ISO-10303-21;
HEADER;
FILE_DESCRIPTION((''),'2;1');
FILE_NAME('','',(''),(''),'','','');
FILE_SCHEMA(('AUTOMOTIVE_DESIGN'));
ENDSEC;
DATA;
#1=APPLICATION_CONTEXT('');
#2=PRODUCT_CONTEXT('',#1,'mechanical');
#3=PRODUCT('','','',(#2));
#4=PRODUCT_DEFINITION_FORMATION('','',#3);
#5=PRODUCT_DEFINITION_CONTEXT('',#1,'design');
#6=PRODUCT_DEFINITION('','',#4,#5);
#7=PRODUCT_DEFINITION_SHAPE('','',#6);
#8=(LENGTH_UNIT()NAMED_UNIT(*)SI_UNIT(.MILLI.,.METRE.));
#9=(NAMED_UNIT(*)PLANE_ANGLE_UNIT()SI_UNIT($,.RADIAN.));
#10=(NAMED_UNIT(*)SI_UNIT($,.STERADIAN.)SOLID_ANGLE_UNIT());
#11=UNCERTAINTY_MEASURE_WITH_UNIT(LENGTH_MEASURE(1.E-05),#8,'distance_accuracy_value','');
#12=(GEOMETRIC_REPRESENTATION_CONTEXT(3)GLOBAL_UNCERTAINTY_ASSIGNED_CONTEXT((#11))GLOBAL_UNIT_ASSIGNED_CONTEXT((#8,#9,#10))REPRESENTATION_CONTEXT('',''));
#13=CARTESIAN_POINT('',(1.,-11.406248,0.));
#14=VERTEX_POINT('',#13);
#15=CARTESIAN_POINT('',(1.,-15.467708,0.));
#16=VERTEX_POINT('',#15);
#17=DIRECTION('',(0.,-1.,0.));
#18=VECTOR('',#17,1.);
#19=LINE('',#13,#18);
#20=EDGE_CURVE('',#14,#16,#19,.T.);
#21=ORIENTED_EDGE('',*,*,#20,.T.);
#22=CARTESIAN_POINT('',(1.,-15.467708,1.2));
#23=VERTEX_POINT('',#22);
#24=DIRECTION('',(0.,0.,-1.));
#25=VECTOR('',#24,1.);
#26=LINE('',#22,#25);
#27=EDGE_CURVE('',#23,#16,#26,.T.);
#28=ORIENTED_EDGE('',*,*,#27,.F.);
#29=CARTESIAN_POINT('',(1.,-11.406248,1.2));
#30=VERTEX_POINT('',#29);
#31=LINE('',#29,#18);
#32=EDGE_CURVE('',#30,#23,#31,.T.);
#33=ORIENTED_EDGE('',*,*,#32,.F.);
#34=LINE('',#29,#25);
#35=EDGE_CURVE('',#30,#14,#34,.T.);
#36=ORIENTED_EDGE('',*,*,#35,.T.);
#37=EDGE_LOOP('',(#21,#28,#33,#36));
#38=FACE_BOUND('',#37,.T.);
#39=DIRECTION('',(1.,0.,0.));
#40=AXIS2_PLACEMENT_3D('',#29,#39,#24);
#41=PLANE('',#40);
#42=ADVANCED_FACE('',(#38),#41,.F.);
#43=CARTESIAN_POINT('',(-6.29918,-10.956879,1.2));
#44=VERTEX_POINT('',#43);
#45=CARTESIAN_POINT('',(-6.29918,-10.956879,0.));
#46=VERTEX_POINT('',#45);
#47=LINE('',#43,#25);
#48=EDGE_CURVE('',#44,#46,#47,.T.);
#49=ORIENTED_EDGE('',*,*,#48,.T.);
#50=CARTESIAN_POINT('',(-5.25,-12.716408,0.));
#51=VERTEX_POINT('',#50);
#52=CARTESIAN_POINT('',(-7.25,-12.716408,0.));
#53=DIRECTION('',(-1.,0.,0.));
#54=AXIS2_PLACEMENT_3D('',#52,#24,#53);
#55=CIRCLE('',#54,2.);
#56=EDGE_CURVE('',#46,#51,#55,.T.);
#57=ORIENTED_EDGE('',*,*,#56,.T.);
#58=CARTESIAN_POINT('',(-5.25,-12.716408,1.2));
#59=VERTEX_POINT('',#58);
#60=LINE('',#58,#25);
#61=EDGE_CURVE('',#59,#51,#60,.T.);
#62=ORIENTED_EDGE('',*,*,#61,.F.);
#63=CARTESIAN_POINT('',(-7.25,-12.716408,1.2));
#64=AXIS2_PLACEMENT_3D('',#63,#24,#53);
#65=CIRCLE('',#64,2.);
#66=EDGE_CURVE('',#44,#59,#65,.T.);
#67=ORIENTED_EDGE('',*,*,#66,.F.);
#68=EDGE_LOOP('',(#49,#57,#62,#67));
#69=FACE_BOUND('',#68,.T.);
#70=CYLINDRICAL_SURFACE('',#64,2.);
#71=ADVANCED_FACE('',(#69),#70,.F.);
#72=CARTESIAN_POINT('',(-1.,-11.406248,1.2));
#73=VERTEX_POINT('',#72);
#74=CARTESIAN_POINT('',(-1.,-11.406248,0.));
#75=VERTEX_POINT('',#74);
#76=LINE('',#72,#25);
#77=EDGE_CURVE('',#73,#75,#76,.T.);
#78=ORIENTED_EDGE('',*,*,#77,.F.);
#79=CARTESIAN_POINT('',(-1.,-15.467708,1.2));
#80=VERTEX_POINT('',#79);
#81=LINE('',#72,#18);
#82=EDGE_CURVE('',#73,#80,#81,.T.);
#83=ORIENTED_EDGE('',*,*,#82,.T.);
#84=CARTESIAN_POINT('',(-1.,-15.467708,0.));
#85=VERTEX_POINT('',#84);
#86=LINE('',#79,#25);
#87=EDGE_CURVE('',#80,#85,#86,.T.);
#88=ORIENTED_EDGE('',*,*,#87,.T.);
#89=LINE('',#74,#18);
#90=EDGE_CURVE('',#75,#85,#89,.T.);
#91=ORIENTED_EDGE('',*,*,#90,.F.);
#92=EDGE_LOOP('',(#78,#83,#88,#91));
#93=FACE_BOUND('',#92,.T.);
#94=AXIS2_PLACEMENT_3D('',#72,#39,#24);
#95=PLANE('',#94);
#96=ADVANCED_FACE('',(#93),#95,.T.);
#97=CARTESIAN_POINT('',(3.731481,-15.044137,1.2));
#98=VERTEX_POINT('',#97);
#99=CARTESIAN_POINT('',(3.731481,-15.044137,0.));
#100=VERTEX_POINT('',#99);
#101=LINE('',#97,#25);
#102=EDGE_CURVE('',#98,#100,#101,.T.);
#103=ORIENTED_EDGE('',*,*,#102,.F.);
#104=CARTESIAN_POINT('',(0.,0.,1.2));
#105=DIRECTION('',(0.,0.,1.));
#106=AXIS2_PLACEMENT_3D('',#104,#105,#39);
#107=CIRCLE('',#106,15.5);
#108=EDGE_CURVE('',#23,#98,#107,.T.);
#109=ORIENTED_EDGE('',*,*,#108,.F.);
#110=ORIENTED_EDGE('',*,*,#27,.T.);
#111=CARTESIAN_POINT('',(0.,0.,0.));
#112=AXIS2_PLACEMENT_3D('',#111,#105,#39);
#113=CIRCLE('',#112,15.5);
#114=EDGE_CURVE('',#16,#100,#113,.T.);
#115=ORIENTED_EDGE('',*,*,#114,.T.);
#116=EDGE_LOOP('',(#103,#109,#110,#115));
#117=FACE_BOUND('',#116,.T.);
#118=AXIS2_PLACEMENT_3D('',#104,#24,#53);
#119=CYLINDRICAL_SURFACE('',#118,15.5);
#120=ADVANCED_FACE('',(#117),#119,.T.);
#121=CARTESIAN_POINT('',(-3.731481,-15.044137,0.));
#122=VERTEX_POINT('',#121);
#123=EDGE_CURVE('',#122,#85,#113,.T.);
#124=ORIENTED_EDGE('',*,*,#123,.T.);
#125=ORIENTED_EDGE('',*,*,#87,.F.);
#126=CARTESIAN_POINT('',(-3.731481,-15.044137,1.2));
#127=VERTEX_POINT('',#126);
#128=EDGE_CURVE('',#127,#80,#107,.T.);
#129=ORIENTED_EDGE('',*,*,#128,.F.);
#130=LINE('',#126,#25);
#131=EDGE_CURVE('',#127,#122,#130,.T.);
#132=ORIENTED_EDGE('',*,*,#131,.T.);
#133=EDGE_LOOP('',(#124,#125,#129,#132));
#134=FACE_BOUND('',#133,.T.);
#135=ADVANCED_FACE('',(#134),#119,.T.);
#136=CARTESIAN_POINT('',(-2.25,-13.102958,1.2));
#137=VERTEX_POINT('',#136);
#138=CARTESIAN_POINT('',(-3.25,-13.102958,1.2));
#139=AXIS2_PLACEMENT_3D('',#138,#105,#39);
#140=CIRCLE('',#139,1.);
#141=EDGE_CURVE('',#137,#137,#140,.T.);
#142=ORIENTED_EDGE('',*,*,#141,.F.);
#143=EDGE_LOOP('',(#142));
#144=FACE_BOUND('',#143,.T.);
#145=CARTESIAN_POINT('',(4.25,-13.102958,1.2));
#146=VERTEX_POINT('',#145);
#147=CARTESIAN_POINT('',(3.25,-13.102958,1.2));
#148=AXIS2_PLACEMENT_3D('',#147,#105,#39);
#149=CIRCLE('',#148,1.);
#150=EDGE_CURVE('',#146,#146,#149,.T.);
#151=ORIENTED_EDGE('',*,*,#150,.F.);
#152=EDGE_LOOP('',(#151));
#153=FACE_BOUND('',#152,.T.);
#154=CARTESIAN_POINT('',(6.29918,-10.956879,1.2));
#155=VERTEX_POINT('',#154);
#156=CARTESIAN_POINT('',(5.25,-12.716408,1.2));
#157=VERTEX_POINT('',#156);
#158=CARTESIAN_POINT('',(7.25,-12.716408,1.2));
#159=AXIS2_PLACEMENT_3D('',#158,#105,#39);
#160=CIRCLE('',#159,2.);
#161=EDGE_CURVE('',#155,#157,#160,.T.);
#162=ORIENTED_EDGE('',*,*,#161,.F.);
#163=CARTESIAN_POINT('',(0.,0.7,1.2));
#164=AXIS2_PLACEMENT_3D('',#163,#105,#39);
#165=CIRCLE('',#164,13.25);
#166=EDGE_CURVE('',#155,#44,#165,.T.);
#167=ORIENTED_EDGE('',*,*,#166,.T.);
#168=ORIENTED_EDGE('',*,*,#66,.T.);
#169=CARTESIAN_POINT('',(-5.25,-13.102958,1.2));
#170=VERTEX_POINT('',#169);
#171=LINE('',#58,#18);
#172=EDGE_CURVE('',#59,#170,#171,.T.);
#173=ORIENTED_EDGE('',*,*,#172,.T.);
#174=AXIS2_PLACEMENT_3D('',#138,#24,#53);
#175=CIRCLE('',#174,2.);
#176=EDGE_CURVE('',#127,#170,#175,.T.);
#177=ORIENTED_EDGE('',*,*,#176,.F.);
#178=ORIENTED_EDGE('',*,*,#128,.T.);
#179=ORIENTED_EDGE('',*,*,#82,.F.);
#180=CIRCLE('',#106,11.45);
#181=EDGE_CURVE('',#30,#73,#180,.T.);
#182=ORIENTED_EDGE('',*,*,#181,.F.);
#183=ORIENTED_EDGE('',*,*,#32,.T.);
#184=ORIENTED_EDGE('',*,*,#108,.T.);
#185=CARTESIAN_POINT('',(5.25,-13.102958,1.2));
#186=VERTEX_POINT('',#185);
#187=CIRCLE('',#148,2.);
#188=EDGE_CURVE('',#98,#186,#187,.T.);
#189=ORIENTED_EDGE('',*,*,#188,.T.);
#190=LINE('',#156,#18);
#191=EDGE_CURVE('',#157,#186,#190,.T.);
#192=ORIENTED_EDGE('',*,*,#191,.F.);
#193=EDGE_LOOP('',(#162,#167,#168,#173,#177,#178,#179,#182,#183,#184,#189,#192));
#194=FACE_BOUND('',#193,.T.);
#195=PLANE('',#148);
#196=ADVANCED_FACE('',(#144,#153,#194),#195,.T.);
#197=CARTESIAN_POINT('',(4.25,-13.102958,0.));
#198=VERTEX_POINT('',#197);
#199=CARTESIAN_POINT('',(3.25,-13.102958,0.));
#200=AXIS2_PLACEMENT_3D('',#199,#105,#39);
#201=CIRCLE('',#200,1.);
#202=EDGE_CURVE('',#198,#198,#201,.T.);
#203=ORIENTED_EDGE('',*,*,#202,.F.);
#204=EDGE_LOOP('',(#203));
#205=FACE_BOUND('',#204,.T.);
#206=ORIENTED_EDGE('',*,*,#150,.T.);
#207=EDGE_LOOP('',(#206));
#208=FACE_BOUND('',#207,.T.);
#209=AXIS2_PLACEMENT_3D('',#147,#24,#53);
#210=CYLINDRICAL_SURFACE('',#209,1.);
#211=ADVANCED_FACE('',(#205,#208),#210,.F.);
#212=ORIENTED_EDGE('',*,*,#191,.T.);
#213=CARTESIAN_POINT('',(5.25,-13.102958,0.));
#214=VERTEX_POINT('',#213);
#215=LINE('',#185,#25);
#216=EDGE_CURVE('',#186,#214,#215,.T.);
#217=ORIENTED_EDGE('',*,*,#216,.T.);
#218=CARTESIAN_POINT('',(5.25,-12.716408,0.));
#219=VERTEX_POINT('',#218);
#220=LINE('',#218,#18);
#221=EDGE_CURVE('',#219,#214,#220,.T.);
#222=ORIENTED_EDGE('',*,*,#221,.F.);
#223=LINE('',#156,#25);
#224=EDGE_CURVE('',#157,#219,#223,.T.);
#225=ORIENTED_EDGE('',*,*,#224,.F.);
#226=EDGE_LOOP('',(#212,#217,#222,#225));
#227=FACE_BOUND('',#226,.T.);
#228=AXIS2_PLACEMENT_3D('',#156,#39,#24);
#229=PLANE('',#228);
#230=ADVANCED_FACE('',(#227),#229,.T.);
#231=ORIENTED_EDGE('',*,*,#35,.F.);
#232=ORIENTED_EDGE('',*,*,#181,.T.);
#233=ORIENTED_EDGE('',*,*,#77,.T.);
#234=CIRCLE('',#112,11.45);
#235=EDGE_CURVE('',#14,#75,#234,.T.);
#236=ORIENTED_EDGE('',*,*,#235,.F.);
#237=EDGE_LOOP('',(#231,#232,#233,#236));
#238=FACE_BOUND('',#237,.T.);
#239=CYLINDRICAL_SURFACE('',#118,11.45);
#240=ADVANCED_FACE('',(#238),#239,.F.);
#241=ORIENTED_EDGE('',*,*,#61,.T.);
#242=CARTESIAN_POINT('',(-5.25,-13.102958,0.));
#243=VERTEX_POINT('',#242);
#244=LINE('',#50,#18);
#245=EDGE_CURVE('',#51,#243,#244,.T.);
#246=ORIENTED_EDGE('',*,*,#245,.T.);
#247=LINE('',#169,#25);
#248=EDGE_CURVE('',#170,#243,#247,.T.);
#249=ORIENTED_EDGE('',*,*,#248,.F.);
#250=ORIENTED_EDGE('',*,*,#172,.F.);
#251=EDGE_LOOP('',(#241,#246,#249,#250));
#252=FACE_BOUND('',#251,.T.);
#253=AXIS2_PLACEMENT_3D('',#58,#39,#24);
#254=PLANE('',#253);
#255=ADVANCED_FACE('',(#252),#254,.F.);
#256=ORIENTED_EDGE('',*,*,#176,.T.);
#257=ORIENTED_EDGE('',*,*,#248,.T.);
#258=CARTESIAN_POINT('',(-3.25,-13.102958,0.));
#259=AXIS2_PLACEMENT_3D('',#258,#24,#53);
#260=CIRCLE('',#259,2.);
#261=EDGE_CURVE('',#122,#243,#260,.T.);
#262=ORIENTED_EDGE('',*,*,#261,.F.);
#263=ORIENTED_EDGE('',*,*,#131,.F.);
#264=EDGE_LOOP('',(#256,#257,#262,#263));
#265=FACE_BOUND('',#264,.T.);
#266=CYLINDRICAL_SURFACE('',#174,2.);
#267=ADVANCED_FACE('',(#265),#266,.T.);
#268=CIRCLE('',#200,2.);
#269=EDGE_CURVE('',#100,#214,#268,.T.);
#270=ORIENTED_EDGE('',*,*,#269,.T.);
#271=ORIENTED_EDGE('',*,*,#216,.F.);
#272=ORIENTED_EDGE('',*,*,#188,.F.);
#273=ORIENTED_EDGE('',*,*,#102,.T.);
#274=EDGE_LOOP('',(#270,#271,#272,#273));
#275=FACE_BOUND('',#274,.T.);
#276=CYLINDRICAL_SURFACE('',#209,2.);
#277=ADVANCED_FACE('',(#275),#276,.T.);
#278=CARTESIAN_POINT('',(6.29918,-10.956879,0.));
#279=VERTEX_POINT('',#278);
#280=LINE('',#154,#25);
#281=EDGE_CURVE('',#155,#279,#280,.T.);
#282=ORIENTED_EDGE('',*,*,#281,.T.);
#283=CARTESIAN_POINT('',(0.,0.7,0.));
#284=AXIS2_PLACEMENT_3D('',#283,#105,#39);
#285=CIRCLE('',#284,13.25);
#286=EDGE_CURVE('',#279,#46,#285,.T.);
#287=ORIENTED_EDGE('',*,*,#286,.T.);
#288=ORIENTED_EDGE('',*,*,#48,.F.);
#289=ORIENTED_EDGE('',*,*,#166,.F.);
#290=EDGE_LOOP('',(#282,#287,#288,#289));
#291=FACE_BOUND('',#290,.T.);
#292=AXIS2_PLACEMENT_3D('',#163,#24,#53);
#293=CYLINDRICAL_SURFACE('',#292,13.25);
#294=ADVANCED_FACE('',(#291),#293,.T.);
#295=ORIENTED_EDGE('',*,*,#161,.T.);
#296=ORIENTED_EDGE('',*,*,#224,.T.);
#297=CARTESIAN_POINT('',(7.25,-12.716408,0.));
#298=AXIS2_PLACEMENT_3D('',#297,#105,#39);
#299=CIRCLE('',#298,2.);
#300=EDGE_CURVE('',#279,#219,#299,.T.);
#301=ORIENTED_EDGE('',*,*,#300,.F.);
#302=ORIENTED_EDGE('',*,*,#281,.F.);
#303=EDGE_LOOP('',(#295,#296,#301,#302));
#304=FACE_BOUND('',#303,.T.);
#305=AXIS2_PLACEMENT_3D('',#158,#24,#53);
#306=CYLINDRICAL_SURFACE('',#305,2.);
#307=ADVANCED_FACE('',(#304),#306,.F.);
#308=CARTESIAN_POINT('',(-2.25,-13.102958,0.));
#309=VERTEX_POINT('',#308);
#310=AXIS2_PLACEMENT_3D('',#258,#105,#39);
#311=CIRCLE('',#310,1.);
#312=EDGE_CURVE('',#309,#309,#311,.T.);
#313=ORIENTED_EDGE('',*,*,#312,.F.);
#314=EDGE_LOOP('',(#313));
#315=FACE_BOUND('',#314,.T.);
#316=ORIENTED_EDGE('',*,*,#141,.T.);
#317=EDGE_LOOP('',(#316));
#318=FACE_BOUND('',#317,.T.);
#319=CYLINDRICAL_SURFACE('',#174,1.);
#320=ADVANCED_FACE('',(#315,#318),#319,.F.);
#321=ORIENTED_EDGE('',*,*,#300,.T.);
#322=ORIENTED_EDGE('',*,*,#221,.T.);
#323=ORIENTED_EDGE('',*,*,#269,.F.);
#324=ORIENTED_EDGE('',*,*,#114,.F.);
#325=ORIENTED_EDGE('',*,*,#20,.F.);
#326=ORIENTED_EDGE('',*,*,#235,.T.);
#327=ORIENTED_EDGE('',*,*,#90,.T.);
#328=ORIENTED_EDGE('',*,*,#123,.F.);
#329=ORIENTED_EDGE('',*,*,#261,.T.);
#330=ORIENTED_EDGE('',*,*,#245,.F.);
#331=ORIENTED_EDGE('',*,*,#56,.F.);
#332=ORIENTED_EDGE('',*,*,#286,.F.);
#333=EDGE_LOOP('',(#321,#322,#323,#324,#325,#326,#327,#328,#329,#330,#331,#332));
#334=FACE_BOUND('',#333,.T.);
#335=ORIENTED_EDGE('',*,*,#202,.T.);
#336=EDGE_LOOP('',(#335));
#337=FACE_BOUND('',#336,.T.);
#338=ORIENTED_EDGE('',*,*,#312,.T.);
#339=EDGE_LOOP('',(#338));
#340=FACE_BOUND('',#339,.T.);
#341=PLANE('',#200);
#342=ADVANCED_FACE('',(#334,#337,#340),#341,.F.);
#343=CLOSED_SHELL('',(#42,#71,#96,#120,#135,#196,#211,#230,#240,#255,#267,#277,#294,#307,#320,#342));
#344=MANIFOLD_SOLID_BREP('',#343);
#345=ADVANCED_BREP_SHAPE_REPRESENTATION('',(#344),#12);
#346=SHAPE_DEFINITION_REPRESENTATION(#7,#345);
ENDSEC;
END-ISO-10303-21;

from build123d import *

# Parameters (mm, degrees)
ESQUISSE1_R          = 1
BASE_EXTRUSION_DEPTH = 1.2


with BuildPart() as part:
    # Esquisse1 → Base-Extrusion (new body)
    with BuildSketch(Plane.XY):
        with BuildLine():
            Line((-1, -11.406248288), (-1, -15.467708298))
            ThreePointArc((-1, -15.467708298), (-2.37520157, -15.316932379), (-3.731481481, -15.044136597))
            ThreePointArc((-3.731481481, -15.044136597), (-4.825271875, -14.335239515), (-5.25, -13.102957681))
            Line((-5.25, -13.102957681), (-5.25, -12.716407865))
            ThreePointArc((-5.25, -12.716407865), (-5.532204997, -11.692112826), (-6.299180328, -10.956878965))
            ThreePointArc((-6.299180328, -10.956878965), (0, 13.95), (6.299180328, -10.956878965))
            ThreePointArc((6.299180328, -10.956878965), (5.532204997, -11.692112826), (5.25, -12.716407865))
            Line((5.25, -12.716407865), (5.25, -13.102957681))
            ThreePointArc((5.25, -13.102957681), (4.825271875, -14.335239515), (3.731481481, -15.044136597))
            ThreePointArc((3.731481481, -15.044136597), (2.37520157, -15.316932379), (1, -15.467708298))
            Line((1, -15.467708298), (1, -11.406248288))
            ThreePointArc((1, -11.406248288), (0, 11.45), (-1, -11.406248288))
        make_face()
        with Locations((3.25, -13.102957681)):
            Circle(ESQUISSE1_R, mode=Mode.SUBTRACT)
        with Locations((-3.25, -13.102957681)):
            Circle(ESQUISSE1_R, mode=Mode.SUBTRACT)
    extrude(amount=BASE_EXTRUSION_DEPTH)


solid = part.part
